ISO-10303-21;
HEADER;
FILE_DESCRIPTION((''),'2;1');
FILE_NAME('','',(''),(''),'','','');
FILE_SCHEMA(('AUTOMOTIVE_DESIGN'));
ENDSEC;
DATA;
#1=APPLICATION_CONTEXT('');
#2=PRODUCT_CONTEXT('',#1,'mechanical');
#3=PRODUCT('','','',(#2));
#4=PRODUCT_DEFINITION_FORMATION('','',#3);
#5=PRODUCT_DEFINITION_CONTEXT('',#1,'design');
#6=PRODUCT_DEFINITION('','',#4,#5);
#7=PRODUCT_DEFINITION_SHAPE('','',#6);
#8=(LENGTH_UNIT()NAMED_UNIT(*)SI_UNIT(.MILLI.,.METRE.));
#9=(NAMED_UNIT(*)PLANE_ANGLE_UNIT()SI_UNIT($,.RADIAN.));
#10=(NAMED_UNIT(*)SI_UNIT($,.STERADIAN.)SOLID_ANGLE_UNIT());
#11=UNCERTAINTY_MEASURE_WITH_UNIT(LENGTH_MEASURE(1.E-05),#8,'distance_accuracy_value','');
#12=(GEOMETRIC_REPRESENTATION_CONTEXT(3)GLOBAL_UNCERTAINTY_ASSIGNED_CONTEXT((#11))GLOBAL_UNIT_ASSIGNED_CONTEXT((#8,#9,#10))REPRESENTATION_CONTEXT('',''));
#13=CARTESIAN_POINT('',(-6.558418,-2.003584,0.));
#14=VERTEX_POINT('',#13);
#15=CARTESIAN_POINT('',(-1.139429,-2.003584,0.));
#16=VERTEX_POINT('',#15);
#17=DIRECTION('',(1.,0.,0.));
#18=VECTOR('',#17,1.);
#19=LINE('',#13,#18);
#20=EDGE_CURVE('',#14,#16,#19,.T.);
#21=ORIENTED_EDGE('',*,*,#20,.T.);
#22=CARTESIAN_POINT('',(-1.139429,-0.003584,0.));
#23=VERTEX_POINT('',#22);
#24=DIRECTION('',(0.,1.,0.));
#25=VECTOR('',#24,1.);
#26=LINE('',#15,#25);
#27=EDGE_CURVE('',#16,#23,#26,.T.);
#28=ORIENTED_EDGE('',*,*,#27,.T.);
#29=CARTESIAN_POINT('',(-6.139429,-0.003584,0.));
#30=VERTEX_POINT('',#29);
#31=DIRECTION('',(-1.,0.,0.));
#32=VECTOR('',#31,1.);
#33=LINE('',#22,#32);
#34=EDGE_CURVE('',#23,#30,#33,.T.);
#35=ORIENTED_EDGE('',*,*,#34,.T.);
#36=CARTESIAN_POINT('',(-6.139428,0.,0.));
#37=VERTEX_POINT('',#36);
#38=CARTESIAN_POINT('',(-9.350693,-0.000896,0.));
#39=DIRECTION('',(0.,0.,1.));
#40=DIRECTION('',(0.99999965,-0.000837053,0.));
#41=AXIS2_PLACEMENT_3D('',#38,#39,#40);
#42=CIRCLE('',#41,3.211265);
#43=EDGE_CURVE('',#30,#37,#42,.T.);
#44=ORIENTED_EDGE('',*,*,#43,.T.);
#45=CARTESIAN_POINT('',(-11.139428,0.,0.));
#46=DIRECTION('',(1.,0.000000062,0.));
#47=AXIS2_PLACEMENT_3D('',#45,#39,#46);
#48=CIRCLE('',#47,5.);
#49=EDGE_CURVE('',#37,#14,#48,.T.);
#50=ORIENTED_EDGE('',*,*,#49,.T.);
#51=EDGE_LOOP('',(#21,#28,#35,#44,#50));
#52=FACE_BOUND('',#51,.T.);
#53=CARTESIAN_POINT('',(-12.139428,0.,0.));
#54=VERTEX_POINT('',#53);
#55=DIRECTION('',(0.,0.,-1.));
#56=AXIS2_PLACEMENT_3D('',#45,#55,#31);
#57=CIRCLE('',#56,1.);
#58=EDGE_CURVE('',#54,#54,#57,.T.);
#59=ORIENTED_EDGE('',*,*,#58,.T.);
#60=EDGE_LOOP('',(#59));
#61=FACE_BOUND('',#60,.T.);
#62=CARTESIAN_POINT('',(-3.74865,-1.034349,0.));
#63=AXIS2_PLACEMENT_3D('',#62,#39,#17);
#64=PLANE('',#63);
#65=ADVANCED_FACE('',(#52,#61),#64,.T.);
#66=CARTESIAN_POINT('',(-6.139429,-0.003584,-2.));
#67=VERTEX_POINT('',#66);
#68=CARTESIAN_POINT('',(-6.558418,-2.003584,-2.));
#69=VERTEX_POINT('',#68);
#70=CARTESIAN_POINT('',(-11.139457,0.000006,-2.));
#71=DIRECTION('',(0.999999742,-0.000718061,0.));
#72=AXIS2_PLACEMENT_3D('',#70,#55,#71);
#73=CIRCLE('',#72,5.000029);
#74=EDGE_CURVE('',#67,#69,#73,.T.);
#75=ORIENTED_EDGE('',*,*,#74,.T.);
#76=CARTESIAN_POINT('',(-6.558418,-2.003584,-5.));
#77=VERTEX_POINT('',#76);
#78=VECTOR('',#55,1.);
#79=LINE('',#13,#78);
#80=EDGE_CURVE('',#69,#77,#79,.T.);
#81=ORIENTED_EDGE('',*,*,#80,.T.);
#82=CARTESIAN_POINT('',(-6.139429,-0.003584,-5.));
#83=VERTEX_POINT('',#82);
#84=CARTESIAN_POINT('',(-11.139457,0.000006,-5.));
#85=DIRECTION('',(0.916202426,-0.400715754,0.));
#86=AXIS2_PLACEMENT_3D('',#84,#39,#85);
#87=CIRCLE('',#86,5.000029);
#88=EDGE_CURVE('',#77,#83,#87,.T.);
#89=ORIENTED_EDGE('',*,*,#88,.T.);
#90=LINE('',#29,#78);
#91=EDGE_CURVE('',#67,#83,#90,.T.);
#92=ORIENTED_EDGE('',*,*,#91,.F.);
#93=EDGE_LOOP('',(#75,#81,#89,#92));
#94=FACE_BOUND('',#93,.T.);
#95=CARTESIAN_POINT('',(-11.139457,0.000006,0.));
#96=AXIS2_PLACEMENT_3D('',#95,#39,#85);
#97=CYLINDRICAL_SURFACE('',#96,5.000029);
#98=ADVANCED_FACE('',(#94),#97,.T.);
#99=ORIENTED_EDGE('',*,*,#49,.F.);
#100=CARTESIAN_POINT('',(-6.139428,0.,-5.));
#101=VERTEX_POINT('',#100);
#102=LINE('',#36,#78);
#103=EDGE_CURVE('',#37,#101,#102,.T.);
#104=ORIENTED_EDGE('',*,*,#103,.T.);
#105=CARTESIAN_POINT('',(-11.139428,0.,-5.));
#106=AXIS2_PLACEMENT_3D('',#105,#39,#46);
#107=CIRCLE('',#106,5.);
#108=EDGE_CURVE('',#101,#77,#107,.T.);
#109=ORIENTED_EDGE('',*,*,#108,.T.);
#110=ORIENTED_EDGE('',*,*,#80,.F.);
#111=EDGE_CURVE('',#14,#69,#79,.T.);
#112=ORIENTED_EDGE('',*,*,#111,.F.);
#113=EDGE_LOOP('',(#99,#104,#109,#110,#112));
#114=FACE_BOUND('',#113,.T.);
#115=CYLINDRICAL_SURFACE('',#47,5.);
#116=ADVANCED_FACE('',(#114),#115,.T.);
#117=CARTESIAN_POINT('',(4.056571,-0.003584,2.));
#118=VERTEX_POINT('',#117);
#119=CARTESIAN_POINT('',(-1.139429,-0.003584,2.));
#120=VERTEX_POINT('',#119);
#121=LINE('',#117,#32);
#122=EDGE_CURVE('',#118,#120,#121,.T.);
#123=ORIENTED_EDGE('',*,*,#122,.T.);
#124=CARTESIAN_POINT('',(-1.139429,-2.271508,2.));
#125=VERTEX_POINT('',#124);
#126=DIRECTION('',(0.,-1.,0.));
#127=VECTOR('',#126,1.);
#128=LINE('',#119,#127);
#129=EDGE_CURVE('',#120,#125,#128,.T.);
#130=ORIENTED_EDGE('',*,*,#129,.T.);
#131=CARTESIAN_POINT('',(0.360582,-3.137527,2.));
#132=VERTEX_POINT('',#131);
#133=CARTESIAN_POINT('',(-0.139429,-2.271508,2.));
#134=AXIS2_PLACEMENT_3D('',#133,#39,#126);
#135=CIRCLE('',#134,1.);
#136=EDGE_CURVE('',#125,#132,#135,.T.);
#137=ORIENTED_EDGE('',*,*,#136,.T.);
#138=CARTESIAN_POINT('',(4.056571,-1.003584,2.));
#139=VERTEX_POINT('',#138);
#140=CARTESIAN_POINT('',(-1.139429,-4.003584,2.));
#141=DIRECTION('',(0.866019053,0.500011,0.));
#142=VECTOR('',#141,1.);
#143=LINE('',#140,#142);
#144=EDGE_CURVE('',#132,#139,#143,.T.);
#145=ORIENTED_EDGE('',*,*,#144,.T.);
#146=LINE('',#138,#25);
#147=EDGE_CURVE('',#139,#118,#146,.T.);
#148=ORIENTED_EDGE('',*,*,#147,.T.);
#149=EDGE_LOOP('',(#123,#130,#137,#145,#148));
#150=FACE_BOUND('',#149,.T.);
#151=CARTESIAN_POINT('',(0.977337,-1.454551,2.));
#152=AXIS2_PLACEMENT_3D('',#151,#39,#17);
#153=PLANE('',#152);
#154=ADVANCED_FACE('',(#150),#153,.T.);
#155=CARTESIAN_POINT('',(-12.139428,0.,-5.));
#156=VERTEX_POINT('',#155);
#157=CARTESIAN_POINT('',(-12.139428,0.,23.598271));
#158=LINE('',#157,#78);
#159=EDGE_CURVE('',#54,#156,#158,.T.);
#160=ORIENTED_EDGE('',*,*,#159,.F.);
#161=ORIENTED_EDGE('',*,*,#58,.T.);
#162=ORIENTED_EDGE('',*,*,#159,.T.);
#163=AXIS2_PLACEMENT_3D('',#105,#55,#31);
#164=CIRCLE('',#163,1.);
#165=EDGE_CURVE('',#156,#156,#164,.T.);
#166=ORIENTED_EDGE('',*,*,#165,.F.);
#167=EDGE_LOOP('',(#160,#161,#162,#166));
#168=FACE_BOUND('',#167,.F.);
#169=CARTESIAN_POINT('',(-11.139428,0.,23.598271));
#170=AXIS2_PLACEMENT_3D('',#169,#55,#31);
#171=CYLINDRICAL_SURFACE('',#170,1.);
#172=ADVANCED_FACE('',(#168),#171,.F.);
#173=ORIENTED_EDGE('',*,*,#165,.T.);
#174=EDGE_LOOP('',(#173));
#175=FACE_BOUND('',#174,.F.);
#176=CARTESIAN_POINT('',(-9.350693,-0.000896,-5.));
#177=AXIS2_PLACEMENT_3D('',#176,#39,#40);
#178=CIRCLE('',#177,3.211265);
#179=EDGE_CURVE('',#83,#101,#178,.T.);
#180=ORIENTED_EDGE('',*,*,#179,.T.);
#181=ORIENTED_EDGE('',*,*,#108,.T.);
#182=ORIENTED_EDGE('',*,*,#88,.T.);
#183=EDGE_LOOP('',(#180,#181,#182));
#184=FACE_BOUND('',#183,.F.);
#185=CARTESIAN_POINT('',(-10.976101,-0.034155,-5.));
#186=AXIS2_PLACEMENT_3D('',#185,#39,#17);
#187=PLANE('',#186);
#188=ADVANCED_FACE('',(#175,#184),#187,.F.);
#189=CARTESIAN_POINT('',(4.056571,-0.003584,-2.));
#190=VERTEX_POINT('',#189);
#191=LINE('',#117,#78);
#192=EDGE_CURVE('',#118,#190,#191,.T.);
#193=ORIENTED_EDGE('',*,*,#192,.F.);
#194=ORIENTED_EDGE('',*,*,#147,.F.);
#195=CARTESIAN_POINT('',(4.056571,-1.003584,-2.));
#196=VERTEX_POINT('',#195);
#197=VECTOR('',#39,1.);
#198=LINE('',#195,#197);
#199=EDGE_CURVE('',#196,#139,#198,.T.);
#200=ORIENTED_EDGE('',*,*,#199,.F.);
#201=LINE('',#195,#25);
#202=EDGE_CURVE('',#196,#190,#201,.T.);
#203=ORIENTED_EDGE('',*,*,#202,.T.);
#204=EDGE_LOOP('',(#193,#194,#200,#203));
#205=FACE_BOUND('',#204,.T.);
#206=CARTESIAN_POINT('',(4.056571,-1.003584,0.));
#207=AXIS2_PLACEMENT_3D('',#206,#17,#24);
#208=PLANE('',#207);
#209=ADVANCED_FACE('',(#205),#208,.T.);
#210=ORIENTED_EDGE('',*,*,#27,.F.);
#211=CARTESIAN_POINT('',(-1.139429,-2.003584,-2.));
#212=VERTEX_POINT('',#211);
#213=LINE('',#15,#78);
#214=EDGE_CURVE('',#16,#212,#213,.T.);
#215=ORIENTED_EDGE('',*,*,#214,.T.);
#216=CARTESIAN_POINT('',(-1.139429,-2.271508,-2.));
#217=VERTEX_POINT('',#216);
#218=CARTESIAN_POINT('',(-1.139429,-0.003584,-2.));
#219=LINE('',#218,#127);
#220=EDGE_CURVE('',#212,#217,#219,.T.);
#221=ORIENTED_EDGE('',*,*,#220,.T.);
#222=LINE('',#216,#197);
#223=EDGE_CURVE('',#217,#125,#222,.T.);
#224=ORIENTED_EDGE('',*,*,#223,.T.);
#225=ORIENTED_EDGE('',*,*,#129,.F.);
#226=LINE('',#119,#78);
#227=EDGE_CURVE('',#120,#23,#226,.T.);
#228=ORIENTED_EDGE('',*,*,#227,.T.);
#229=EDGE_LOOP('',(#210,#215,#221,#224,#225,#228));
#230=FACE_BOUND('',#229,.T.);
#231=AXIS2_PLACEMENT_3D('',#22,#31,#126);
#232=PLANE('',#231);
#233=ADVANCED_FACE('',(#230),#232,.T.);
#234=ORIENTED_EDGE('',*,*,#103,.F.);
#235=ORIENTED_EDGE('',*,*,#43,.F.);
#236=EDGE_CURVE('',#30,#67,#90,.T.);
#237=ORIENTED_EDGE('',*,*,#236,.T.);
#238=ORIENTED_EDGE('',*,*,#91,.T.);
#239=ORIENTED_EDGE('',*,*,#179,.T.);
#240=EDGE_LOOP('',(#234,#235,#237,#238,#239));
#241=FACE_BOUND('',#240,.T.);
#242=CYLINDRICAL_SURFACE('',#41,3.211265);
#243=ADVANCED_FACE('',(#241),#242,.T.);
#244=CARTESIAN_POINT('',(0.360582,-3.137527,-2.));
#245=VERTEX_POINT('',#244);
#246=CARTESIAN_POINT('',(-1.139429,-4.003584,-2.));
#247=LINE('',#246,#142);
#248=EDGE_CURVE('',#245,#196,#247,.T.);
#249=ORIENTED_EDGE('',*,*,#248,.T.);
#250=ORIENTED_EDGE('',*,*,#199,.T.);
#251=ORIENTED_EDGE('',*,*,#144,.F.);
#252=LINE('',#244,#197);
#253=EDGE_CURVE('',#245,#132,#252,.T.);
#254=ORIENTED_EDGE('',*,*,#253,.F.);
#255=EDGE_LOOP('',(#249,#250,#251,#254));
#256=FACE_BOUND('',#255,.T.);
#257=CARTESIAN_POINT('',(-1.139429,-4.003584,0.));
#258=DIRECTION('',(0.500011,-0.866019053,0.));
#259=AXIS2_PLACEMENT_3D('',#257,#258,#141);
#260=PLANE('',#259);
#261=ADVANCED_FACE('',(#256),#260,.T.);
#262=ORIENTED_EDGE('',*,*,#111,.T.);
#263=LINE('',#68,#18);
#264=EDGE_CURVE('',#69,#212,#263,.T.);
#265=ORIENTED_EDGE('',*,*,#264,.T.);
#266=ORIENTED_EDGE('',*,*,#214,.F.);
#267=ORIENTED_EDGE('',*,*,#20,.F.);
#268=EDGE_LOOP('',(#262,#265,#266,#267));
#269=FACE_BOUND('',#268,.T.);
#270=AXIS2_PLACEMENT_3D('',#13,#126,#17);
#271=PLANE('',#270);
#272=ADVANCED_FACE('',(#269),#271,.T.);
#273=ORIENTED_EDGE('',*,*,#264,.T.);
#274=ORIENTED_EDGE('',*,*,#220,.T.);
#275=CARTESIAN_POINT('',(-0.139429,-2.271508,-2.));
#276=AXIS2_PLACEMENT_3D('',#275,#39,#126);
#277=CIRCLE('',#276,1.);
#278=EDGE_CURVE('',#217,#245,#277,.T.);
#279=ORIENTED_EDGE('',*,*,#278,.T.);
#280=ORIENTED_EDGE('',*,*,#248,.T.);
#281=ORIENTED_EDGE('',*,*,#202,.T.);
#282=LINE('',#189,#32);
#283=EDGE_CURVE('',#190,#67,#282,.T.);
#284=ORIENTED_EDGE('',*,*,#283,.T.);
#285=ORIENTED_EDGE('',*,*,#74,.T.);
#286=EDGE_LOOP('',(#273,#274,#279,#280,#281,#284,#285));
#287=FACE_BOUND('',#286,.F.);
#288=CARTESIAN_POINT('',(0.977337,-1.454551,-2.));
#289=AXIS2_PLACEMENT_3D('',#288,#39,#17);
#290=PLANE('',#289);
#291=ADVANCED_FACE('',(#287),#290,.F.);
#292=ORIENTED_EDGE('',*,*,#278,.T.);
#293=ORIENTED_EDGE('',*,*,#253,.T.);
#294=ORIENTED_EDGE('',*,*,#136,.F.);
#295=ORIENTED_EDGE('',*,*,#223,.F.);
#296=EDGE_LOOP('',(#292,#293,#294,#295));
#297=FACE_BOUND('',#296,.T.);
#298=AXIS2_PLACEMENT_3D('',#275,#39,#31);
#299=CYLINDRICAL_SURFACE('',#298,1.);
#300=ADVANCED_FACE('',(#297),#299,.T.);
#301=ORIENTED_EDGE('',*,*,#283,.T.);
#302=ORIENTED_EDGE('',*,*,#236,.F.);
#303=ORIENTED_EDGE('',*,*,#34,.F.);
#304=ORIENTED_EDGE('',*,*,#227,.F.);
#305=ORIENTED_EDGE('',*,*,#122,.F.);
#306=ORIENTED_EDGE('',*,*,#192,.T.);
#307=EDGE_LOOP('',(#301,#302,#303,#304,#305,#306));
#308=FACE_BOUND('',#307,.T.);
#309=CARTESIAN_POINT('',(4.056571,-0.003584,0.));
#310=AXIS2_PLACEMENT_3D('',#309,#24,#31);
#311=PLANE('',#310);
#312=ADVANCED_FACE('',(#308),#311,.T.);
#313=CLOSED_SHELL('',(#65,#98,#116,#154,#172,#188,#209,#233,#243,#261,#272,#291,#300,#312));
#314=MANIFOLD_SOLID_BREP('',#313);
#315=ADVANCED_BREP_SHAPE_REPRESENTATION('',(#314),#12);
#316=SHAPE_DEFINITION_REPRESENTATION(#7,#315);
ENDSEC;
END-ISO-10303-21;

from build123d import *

# Parameters (mm, degrees)
F1_DEPTH = 5
F2_DEPTH = 2
F3_DEPTH = 2
F4_R     = 1
F5_D     = 2


with BuildPart() as f1:
    # F0 (on Top) → F1 (new body)
    with BuildSketch(Plane.XY):
        with BuildLine():
            ThreePointArc((-6.139429, -0.003584), (-6.139428, -0.001792), (-6.139428, 0))
            ThreePointArc((-6.139428, 0), (-16.03356, 1.023463), (-6.558418, -2.003584))
            ThreePointArc((-6.558418, -2.003584), (-6.245664, -1.025217), (-6.139429, -0.003584))
        make_face()
    extrude(amount=-F1_DEPTH)

    # F0 (on Top) → F2 (join)
    with BuildSketch(Plane.XY):
        with BuildLine():
            ThreePointArc((-6.139429, -0.003584), (-6.245664, -1.025217), (-6.558418, -2.003584))
            Line((-6.558418, -2.003584), (-1.139429, -2.003584))
            Line((-1.139429, -2.003584), (-1.139429, -0.003584))
            Line((-1.139429, -0.003584), (-6.139429, -0.003584))
        make_face()
    extrude(amount=-F2_DEPTH)

    # F0 (on Top) → F3 (join, symmetric)
    with BuildSketch(Plane.XY):
        Polygon((-1.139429, -0.003584), (-1.139429, -2.003584), (-1.139429, -4.003584), (4.056571, -1.003584), (4.056571, -0.003584), align=None)
    extrude(amount=F3_DEPTH, both=True)

    # F4
    f4_edges = [f1.edges().sort_by_distance(p)[0] for p in [
        (-1.139429, -4.003584, 0),
    ]]
    fillet(f4_edges, radius=F4_R)

    # F5 (through all)
    with Locations(Plane.XY):
        with Locations((-11.139428, 0)):
            Hole(F5_D / 2)


solid = f1.part
